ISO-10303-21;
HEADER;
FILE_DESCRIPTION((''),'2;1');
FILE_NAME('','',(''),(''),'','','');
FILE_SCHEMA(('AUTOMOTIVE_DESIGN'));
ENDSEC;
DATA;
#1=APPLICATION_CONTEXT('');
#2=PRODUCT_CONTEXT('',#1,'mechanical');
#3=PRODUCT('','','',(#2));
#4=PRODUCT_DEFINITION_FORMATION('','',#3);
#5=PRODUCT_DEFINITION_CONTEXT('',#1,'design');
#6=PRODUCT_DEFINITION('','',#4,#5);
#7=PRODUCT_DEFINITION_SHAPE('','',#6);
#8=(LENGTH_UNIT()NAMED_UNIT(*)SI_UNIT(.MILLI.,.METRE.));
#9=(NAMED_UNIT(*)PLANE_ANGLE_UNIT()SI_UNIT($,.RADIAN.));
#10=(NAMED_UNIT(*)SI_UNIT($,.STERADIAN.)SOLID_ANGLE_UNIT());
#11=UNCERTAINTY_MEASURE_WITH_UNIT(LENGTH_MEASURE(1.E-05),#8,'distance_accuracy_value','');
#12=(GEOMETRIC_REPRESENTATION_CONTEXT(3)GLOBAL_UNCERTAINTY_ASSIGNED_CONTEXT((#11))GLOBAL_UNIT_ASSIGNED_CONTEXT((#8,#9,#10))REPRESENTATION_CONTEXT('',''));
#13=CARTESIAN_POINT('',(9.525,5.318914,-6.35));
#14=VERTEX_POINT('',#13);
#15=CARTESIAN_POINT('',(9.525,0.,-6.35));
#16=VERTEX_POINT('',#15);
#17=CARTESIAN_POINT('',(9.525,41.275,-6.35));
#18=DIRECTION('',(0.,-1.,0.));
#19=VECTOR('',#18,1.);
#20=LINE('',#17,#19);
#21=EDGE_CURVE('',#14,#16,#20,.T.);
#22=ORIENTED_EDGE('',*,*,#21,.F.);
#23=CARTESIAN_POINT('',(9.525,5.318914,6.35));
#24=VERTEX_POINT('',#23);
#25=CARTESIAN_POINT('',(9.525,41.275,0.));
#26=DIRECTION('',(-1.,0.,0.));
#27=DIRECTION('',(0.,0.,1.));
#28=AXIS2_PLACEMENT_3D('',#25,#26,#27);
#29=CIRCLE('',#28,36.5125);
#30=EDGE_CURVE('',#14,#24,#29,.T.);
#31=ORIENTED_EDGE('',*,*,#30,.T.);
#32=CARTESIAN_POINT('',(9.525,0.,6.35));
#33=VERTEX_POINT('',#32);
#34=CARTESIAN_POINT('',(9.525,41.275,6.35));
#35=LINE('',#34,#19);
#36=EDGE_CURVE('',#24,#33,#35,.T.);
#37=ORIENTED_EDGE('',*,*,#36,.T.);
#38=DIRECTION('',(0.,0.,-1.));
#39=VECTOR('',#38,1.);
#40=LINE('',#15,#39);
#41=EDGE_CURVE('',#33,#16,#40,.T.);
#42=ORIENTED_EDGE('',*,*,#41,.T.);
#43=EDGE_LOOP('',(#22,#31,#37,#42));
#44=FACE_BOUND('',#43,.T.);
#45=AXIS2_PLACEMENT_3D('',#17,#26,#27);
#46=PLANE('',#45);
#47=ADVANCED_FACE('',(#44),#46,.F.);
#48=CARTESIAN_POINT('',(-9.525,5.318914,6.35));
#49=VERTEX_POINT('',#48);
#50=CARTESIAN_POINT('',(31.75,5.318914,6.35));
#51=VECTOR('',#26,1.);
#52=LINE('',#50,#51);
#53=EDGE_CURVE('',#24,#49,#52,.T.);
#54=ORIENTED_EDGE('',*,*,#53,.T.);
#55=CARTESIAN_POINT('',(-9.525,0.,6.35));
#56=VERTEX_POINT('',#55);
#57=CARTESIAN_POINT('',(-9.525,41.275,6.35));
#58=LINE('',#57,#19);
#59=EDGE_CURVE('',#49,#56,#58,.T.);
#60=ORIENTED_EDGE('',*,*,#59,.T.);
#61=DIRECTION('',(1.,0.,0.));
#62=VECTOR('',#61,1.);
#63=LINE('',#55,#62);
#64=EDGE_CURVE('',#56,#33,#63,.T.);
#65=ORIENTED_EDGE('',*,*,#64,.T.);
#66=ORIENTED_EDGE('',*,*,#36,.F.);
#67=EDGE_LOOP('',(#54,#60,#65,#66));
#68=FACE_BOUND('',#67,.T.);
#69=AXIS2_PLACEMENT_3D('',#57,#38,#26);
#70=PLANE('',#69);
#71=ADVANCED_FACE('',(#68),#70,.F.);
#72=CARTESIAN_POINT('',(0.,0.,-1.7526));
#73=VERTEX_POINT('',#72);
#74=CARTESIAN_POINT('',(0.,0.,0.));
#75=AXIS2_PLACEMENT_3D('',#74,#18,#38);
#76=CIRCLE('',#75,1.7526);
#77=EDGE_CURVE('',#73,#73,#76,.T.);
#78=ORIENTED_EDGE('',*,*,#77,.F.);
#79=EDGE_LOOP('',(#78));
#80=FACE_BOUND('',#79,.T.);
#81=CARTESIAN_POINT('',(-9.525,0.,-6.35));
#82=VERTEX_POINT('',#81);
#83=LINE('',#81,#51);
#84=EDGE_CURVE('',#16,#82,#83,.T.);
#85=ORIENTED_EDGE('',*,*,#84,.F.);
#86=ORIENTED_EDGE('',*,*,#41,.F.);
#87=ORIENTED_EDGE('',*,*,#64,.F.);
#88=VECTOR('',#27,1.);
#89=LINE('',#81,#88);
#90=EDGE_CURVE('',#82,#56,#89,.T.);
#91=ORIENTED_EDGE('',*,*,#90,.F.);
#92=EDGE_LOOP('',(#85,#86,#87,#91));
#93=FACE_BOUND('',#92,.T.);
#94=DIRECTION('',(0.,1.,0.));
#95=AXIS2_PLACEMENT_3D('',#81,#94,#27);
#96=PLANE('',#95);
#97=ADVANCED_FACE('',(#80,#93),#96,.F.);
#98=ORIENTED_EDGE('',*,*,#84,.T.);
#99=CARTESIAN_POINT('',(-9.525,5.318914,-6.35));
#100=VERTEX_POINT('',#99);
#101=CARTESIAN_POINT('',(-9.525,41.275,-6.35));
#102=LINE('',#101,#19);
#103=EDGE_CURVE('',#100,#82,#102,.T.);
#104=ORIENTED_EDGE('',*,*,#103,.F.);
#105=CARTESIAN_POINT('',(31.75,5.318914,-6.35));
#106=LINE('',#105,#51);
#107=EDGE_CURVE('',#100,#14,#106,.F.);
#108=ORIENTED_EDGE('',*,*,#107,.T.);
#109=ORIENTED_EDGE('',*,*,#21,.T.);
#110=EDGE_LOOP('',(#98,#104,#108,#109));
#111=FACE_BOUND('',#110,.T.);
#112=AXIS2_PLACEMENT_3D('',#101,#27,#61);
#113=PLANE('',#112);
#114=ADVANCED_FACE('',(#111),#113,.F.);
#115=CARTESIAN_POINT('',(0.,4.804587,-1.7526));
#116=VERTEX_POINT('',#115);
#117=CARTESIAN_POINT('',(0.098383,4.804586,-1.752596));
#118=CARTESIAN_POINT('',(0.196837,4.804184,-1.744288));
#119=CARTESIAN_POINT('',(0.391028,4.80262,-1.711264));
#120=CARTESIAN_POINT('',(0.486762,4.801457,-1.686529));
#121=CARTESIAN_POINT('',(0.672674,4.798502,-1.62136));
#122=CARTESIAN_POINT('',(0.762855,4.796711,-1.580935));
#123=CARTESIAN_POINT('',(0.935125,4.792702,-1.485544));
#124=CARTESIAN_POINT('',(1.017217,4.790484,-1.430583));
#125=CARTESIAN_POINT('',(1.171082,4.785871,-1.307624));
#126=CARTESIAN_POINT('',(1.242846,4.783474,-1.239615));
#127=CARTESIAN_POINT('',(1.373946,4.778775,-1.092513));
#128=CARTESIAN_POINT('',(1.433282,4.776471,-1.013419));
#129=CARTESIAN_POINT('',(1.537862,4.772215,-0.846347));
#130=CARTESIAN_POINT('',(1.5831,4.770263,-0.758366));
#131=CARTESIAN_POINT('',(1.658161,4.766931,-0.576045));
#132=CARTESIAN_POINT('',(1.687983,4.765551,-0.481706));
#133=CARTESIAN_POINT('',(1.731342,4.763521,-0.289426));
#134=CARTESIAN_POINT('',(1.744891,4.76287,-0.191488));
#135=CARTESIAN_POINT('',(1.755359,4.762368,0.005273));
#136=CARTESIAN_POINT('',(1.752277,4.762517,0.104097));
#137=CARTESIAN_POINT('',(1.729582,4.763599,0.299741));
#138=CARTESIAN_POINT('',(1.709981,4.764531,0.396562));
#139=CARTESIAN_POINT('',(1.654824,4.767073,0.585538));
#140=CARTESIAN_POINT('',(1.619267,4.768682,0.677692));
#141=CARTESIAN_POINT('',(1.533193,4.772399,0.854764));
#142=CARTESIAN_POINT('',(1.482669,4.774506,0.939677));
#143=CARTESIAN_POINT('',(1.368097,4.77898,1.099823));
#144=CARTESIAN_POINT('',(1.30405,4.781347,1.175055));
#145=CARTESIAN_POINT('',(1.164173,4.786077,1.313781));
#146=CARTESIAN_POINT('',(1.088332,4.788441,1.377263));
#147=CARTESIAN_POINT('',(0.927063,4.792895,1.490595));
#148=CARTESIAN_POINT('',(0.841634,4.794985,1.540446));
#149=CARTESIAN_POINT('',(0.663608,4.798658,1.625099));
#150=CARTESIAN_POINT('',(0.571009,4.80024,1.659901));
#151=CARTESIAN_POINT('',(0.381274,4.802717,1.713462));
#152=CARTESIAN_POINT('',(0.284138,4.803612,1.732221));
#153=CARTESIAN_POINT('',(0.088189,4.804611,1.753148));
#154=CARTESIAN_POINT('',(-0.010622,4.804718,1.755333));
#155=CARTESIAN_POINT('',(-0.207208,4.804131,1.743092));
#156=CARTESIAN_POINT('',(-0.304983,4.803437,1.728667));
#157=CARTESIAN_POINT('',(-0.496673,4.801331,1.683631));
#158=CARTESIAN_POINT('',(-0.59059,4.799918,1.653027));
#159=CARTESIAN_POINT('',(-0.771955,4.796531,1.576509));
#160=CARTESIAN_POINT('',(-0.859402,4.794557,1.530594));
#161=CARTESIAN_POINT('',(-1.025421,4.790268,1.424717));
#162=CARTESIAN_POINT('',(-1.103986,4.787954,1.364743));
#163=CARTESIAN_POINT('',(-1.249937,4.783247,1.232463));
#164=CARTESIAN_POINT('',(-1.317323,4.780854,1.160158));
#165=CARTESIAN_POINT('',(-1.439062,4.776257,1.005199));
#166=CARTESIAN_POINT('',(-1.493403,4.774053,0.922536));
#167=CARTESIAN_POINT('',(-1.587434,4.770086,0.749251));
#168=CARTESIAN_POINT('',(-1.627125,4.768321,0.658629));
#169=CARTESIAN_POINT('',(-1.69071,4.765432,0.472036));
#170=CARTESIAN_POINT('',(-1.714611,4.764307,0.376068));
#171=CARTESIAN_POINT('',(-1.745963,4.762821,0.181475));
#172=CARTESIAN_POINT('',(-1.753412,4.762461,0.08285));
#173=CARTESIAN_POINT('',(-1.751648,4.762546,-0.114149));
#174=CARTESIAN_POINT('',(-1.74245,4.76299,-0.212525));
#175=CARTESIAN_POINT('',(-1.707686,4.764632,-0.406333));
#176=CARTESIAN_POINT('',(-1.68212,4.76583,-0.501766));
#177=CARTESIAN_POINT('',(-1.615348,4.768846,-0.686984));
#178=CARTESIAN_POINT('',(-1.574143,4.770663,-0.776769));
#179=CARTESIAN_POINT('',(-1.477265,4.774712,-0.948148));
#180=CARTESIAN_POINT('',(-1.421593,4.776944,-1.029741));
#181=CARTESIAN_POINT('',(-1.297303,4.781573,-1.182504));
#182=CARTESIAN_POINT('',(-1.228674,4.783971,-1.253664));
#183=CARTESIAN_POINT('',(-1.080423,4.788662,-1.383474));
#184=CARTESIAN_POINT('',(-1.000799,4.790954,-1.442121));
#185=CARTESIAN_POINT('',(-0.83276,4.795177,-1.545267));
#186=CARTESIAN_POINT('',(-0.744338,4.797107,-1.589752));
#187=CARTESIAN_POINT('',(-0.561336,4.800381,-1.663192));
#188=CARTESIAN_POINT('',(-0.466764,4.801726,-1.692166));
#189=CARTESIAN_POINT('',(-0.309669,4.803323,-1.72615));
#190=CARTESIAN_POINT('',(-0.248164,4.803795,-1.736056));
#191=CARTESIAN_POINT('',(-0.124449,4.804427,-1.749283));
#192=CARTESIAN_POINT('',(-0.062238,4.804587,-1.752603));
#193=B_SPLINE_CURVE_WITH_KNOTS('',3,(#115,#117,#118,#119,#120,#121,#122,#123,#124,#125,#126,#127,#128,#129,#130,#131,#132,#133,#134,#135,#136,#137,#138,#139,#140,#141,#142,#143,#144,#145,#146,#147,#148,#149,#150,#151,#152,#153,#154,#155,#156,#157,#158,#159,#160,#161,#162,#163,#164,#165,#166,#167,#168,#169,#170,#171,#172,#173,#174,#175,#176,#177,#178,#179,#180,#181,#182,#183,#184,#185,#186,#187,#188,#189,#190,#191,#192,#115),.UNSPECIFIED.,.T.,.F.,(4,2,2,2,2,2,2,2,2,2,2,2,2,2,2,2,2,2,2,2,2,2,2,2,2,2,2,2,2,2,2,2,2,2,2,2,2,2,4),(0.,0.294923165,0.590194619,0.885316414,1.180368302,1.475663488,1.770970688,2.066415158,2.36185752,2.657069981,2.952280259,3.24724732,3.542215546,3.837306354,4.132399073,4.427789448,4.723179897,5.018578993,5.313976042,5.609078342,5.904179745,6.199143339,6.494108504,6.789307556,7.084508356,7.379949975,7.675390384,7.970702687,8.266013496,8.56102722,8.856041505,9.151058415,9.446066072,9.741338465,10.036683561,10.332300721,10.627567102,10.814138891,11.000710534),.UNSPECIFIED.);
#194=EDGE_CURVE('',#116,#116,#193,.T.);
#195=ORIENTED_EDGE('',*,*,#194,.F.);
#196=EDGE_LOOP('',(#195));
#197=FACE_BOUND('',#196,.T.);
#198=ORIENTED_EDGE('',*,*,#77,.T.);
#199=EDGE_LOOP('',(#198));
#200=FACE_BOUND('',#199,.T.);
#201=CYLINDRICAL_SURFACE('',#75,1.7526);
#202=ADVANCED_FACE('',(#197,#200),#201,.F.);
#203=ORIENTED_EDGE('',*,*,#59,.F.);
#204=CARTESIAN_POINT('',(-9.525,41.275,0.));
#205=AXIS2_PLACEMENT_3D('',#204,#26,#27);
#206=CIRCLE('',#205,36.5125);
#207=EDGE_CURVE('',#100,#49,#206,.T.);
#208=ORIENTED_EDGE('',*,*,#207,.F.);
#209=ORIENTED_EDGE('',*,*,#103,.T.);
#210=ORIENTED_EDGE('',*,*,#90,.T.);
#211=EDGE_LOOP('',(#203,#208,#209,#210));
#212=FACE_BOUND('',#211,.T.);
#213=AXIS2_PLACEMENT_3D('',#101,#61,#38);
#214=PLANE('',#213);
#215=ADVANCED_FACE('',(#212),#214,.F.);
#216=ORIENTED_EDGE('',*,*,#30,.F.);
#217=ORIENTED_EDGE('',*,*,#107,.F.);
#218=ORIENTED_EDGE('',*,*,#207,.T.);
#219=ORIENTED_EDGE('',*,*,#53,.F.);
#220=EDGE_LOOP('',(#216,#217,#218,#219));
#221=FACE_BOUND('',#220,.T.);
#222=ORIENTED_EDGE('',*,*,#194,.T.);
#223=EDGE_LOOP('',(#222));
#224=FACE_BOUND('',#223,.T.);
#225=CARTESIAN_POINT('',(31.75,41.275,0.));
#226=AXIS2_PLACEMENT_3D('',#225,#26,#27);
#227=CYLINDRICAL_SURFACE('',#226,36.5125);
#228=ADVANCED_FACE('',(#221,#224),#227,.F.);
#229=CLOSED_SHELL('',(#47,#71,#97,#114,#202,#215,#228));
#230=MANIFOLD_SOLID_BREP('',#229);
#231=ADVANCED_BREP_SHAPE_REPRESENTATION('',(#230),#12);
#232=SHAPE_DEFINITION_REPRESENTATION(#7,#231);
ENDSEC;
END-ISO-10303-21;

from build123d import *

# Parameters (mm, degrees)
SKETCH1_W                       = 19.05
SKETCH1_H                       = 12.7
EXTRUDE1_DEPTH                  = 41.275
SKETCH2_R                       = 36.5125
CUT_EXTRUDE1_DEPTH              = 41.275
F_6_32_TAPPED_HOLE1_D           = 2.7051
F_6_32_TAPPED_HOLE1_DEPTH       = 9.398
F_6_32_TAPPED_HOLE1_CBORE_D     = 3.5052
F_6_32_TAPPED_HOLE1_CBORE_DEPTH = 7.112
F_6_32_TAPPED_HOLE1_TIP         = 0.81269403


with BuildPart() as part:
    # Sketch1 → Extrude1 (new body)
    with BuildSketch(Plane(origin=(0, 0, 0), x_dir=(1, 0, 0), z_dir=(0, 1, 0))):
        Rectangle(SKETCH1_W, SKETCH1_H)
    extrude(amount=EXTRUDE1_DEPTH)

    # Sketch2 → Cut-Extrude1 (cut)
    with BuildSketch(Plane.ZY.offset(9.525)):
        with Locations((0, 41.275)):
            Circle(SKETCH2_R)
    extrude(amount=-CUT_EXTRUDE1_DEPTH, mode=Mode.SUBTRACT)

    # #6-32 Tapped Hole1
    with Locations(Plane(origin=(0, 0, 0), x_dir=(0, 0, -1), z_dir=(0, -1, 0))):
        with Locations((0, 0)):
            CounterBoreHole(F_6_32_TAPPED_HOLE1_D / 2, F_6_32_TAPPED_HOLE1_CBORE_D / 2, F_6_32_TAPPED_HOLE1_CBORE_DEPTH, depth=F_6_32_TAPPED_HOLE1_DEPTH)
            with Locations((0, 0, -(F_6_32_TAPPED_HOLE1_DEPTH + F_6_32_TAPPED_HOLE1_TIP / 2))):  # 118° drill point
                Cone(0, F_6_32_TAPPED_HOLE1_D / 2, F_6_32_TAPPED_HOLE1_TIP, mode=Mode.SUBTRACT)


solid = part.part
